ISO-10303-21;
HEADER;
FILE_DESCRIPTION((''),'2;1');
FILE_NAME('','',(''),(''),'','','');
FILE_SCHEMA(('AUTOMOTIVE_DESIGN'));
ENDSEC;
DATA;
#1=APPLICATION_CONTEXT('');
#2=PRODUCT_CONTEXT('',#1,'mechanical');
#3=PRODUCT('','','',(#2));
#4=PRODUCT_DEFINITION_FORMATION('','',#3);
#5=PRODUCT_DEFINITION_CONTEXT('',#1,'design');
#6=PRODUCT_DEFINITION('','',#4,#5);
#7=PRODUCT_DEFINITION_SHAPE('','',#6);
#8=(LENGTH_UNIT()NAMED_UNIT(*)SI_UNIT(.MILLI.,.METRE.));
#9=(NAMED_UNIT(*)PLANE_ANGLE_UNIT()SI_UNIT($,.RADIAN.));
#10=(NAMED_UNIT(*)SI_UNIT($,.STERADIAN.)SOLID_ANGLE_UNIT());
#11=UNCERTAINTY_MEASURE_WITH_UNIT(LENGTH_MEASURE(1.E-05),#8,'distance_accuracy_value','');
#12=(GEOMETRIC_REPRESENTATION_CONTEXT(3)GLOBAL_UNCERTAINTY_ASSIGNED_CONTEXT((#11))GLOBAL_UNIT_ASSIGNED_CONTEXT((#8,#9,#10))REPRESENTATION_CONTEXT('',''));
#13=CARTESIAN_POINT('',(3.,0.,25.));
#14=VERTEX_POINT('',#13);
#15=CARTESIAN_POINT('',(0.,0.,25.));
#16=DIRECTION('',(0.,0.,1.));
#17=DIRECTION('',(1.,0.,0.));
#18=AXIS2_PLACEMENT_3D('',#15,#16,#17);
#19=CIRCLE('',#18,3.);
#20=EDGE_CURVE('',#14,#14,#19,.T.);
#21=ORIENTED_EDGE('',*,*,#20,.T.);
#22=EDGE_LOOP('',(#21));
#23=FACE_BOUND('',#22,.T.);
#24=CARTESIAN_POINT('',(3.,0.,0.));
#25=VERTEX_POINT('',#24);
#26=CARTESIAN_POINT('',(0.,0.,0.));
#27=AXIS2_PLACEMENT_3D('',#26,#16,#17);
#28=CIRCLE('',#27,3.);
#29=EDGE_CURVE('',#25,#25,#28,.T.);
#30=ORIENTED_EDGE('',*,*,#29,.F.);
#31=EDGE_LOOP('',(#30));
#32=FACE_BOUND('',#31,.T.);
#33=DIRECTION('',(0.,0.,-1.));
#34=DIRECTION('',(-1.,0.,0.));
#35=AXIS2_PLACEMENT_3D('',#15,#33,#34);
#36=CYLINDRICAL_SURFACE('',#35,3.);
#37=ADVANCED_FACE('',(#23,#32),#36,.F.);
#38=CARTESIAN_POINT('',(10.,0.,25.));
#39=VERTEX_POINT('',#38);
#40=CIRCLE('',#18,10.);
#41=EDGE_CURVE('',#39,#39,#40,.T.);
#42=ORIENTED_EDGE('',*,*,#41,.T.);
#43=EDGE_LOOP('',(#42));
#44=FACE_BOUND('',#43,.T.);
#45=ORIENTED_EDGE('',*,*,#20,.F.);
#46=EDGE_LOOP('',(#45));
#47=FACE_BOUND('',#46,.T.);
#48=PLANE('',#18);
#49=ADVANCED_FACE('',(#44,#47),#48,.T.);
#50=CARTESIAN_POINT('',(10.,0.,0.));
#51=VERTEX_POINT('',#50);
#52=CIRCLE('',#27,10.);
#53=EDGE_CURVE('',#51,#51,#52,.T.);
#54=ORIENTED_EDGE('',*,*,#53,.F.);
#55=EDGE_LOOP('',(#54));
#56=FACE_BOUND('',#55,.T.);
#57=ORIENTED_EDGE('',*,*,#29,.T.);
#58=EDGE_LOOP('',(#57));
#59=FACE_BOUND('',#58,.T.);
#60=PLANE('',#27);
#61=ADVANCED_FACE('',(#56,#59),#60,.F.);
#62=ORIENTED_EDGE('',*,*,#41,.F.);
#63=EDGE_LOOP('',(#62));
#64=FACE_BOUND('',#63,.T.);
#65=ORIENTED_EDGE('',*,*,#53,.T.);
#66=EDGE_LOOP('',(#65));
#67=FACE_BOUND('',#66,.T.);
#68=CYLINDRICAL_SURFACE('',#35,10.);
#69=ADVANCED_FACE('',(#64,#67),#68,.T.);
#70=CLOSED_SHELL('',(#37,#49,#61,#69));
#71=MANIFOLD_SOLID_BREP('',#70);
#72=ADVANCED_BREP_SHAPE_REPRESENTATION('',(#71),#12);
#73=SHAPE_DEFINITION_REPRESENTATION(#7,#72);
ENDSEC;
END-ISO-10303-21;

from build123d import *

# Parameters (mm, degrees)
ESQUISSE1_R        = 10
ESQUISSE1_R_2      = 3
BOSS_EXTRU_1_DEPTH = 25


with BuildPart() as part:
    # Esquisse1 → Boss.-Extru.1 (new body)
    with BuildSketch(Plane.XY):
        Circle(ESQUISSE1_R)
        Circle(ESQUISSE1_R_2, mode=Mode.SUBTRACT)
    extrude(amount=BOSS_EXTRU_1_DEPTH)


solid = part.part
